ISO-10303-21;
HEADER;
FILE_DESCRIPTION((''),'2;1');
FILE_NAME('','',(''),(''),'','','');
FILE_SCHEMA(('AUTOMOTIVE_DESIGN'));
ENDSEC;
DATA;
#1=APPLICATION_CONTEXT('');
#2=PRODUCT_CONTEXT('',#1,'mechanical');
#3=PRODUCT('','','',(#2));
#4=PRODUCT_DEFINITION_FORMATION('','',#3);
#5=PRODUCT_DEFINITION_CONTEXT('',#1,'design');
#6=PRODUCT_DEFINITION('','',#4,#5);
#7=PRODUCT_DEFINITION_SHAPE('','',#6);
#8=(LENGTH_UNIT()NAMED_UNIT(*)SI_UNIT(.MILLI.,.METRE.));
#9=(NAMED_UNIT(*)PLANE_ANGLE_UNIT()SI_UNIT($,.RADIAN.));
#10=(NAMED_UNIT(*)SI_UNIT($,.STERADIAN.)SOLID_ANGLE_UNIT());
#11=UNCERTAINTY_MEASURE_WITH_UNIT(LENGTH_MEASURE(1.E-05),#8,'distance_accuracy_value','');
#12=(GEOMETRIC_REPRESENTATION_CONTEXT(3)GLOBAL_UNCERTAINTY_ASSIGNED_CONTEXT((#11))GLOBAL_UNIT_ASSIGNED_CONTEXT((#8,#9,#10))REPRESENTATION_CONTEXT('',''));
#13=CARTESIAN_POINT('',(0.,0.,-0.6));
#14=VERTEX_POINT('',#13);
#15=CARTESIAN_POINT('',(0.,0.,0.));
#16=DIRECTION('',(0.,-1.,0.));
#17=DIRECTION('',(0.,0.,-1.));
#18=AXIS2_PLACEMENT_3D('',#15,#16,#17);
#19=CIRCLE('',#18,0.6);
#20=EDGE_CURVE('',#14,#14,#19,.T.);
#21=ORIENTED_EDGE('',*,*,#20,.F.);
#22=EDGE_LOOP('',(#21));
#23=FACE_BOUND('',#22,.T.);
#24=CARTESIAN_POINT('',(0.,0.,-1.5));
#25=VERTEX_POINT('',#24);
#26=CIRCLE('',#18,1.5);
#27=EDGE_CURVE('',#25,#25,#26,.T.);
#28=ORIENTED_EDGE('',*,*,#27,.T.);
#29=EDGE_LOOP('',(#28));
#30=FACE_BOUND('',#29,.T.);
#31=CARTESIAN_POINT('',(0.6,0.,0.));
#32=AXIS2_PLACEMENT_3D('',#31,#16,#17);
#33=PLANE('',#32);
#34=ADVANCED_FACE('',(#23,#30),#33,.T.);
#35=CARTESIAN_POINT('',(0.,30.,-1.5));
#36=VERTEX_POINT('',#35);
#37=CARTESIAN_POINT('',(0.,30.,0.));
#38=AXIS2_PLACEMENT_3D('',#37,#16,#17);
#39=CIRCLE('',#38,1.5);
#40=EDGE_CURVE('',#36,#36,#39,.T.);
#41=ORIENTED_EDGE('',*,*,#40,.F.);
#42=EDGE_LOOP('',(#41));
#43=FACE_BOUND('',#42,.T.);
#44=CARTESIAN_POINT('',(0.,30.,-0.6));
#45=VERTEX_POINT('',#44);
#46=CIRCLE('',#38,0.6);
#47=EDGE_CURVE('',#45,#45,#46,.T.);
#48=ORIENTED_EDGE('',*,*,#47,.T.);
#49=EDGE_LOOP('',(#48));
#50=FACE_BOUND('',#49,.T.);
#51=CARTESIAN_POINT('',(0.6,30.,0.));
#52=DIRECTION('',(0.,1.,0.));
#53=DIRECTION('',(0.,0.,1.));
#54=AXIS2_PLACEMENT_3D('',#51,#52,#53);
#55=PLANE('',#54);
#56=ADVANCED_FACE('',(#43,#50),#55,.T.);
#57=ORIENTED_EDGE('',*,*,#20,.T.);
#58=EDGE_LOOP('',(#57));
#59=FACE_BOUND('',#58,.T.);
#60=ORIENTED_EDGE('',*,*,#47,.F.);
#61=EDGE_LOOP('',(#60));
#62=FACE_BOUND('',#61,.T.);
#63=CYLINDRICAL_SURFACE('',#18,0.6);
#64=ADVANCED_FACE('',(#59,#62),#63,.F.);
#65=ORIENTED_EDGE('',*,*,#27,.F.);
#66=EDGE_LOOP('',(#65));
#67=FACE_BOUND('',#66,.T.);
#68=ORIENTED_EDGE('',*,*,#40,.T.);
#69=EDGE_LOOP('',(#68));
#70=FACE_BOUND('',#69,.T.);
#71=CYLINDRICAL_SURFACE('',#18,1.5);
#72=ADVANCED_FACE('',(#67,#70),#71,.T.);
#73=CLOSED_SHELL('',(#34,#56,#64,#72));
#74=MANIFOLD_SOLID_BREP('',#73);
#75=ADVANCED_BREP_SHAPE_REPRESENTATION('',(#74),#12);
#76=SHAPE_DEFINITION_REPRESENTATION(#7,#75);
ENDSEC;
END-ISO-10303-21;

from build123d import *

# Parameters (mm, degrees)
SKETCH1_W = 0.9
SKETCH1_H = 30


with BuildPart() as part:
    # Sketch1 → Revolve1 (revolve)
    with BuildSketch(Plane.XY):
        with Locations((1.05, 15)):
            Rectangle(SKETCH1_W, SKETCH1_H)
    revolve(axis=Axis((0, 0, 0), (0, 1, 0)))


solid = part.part
